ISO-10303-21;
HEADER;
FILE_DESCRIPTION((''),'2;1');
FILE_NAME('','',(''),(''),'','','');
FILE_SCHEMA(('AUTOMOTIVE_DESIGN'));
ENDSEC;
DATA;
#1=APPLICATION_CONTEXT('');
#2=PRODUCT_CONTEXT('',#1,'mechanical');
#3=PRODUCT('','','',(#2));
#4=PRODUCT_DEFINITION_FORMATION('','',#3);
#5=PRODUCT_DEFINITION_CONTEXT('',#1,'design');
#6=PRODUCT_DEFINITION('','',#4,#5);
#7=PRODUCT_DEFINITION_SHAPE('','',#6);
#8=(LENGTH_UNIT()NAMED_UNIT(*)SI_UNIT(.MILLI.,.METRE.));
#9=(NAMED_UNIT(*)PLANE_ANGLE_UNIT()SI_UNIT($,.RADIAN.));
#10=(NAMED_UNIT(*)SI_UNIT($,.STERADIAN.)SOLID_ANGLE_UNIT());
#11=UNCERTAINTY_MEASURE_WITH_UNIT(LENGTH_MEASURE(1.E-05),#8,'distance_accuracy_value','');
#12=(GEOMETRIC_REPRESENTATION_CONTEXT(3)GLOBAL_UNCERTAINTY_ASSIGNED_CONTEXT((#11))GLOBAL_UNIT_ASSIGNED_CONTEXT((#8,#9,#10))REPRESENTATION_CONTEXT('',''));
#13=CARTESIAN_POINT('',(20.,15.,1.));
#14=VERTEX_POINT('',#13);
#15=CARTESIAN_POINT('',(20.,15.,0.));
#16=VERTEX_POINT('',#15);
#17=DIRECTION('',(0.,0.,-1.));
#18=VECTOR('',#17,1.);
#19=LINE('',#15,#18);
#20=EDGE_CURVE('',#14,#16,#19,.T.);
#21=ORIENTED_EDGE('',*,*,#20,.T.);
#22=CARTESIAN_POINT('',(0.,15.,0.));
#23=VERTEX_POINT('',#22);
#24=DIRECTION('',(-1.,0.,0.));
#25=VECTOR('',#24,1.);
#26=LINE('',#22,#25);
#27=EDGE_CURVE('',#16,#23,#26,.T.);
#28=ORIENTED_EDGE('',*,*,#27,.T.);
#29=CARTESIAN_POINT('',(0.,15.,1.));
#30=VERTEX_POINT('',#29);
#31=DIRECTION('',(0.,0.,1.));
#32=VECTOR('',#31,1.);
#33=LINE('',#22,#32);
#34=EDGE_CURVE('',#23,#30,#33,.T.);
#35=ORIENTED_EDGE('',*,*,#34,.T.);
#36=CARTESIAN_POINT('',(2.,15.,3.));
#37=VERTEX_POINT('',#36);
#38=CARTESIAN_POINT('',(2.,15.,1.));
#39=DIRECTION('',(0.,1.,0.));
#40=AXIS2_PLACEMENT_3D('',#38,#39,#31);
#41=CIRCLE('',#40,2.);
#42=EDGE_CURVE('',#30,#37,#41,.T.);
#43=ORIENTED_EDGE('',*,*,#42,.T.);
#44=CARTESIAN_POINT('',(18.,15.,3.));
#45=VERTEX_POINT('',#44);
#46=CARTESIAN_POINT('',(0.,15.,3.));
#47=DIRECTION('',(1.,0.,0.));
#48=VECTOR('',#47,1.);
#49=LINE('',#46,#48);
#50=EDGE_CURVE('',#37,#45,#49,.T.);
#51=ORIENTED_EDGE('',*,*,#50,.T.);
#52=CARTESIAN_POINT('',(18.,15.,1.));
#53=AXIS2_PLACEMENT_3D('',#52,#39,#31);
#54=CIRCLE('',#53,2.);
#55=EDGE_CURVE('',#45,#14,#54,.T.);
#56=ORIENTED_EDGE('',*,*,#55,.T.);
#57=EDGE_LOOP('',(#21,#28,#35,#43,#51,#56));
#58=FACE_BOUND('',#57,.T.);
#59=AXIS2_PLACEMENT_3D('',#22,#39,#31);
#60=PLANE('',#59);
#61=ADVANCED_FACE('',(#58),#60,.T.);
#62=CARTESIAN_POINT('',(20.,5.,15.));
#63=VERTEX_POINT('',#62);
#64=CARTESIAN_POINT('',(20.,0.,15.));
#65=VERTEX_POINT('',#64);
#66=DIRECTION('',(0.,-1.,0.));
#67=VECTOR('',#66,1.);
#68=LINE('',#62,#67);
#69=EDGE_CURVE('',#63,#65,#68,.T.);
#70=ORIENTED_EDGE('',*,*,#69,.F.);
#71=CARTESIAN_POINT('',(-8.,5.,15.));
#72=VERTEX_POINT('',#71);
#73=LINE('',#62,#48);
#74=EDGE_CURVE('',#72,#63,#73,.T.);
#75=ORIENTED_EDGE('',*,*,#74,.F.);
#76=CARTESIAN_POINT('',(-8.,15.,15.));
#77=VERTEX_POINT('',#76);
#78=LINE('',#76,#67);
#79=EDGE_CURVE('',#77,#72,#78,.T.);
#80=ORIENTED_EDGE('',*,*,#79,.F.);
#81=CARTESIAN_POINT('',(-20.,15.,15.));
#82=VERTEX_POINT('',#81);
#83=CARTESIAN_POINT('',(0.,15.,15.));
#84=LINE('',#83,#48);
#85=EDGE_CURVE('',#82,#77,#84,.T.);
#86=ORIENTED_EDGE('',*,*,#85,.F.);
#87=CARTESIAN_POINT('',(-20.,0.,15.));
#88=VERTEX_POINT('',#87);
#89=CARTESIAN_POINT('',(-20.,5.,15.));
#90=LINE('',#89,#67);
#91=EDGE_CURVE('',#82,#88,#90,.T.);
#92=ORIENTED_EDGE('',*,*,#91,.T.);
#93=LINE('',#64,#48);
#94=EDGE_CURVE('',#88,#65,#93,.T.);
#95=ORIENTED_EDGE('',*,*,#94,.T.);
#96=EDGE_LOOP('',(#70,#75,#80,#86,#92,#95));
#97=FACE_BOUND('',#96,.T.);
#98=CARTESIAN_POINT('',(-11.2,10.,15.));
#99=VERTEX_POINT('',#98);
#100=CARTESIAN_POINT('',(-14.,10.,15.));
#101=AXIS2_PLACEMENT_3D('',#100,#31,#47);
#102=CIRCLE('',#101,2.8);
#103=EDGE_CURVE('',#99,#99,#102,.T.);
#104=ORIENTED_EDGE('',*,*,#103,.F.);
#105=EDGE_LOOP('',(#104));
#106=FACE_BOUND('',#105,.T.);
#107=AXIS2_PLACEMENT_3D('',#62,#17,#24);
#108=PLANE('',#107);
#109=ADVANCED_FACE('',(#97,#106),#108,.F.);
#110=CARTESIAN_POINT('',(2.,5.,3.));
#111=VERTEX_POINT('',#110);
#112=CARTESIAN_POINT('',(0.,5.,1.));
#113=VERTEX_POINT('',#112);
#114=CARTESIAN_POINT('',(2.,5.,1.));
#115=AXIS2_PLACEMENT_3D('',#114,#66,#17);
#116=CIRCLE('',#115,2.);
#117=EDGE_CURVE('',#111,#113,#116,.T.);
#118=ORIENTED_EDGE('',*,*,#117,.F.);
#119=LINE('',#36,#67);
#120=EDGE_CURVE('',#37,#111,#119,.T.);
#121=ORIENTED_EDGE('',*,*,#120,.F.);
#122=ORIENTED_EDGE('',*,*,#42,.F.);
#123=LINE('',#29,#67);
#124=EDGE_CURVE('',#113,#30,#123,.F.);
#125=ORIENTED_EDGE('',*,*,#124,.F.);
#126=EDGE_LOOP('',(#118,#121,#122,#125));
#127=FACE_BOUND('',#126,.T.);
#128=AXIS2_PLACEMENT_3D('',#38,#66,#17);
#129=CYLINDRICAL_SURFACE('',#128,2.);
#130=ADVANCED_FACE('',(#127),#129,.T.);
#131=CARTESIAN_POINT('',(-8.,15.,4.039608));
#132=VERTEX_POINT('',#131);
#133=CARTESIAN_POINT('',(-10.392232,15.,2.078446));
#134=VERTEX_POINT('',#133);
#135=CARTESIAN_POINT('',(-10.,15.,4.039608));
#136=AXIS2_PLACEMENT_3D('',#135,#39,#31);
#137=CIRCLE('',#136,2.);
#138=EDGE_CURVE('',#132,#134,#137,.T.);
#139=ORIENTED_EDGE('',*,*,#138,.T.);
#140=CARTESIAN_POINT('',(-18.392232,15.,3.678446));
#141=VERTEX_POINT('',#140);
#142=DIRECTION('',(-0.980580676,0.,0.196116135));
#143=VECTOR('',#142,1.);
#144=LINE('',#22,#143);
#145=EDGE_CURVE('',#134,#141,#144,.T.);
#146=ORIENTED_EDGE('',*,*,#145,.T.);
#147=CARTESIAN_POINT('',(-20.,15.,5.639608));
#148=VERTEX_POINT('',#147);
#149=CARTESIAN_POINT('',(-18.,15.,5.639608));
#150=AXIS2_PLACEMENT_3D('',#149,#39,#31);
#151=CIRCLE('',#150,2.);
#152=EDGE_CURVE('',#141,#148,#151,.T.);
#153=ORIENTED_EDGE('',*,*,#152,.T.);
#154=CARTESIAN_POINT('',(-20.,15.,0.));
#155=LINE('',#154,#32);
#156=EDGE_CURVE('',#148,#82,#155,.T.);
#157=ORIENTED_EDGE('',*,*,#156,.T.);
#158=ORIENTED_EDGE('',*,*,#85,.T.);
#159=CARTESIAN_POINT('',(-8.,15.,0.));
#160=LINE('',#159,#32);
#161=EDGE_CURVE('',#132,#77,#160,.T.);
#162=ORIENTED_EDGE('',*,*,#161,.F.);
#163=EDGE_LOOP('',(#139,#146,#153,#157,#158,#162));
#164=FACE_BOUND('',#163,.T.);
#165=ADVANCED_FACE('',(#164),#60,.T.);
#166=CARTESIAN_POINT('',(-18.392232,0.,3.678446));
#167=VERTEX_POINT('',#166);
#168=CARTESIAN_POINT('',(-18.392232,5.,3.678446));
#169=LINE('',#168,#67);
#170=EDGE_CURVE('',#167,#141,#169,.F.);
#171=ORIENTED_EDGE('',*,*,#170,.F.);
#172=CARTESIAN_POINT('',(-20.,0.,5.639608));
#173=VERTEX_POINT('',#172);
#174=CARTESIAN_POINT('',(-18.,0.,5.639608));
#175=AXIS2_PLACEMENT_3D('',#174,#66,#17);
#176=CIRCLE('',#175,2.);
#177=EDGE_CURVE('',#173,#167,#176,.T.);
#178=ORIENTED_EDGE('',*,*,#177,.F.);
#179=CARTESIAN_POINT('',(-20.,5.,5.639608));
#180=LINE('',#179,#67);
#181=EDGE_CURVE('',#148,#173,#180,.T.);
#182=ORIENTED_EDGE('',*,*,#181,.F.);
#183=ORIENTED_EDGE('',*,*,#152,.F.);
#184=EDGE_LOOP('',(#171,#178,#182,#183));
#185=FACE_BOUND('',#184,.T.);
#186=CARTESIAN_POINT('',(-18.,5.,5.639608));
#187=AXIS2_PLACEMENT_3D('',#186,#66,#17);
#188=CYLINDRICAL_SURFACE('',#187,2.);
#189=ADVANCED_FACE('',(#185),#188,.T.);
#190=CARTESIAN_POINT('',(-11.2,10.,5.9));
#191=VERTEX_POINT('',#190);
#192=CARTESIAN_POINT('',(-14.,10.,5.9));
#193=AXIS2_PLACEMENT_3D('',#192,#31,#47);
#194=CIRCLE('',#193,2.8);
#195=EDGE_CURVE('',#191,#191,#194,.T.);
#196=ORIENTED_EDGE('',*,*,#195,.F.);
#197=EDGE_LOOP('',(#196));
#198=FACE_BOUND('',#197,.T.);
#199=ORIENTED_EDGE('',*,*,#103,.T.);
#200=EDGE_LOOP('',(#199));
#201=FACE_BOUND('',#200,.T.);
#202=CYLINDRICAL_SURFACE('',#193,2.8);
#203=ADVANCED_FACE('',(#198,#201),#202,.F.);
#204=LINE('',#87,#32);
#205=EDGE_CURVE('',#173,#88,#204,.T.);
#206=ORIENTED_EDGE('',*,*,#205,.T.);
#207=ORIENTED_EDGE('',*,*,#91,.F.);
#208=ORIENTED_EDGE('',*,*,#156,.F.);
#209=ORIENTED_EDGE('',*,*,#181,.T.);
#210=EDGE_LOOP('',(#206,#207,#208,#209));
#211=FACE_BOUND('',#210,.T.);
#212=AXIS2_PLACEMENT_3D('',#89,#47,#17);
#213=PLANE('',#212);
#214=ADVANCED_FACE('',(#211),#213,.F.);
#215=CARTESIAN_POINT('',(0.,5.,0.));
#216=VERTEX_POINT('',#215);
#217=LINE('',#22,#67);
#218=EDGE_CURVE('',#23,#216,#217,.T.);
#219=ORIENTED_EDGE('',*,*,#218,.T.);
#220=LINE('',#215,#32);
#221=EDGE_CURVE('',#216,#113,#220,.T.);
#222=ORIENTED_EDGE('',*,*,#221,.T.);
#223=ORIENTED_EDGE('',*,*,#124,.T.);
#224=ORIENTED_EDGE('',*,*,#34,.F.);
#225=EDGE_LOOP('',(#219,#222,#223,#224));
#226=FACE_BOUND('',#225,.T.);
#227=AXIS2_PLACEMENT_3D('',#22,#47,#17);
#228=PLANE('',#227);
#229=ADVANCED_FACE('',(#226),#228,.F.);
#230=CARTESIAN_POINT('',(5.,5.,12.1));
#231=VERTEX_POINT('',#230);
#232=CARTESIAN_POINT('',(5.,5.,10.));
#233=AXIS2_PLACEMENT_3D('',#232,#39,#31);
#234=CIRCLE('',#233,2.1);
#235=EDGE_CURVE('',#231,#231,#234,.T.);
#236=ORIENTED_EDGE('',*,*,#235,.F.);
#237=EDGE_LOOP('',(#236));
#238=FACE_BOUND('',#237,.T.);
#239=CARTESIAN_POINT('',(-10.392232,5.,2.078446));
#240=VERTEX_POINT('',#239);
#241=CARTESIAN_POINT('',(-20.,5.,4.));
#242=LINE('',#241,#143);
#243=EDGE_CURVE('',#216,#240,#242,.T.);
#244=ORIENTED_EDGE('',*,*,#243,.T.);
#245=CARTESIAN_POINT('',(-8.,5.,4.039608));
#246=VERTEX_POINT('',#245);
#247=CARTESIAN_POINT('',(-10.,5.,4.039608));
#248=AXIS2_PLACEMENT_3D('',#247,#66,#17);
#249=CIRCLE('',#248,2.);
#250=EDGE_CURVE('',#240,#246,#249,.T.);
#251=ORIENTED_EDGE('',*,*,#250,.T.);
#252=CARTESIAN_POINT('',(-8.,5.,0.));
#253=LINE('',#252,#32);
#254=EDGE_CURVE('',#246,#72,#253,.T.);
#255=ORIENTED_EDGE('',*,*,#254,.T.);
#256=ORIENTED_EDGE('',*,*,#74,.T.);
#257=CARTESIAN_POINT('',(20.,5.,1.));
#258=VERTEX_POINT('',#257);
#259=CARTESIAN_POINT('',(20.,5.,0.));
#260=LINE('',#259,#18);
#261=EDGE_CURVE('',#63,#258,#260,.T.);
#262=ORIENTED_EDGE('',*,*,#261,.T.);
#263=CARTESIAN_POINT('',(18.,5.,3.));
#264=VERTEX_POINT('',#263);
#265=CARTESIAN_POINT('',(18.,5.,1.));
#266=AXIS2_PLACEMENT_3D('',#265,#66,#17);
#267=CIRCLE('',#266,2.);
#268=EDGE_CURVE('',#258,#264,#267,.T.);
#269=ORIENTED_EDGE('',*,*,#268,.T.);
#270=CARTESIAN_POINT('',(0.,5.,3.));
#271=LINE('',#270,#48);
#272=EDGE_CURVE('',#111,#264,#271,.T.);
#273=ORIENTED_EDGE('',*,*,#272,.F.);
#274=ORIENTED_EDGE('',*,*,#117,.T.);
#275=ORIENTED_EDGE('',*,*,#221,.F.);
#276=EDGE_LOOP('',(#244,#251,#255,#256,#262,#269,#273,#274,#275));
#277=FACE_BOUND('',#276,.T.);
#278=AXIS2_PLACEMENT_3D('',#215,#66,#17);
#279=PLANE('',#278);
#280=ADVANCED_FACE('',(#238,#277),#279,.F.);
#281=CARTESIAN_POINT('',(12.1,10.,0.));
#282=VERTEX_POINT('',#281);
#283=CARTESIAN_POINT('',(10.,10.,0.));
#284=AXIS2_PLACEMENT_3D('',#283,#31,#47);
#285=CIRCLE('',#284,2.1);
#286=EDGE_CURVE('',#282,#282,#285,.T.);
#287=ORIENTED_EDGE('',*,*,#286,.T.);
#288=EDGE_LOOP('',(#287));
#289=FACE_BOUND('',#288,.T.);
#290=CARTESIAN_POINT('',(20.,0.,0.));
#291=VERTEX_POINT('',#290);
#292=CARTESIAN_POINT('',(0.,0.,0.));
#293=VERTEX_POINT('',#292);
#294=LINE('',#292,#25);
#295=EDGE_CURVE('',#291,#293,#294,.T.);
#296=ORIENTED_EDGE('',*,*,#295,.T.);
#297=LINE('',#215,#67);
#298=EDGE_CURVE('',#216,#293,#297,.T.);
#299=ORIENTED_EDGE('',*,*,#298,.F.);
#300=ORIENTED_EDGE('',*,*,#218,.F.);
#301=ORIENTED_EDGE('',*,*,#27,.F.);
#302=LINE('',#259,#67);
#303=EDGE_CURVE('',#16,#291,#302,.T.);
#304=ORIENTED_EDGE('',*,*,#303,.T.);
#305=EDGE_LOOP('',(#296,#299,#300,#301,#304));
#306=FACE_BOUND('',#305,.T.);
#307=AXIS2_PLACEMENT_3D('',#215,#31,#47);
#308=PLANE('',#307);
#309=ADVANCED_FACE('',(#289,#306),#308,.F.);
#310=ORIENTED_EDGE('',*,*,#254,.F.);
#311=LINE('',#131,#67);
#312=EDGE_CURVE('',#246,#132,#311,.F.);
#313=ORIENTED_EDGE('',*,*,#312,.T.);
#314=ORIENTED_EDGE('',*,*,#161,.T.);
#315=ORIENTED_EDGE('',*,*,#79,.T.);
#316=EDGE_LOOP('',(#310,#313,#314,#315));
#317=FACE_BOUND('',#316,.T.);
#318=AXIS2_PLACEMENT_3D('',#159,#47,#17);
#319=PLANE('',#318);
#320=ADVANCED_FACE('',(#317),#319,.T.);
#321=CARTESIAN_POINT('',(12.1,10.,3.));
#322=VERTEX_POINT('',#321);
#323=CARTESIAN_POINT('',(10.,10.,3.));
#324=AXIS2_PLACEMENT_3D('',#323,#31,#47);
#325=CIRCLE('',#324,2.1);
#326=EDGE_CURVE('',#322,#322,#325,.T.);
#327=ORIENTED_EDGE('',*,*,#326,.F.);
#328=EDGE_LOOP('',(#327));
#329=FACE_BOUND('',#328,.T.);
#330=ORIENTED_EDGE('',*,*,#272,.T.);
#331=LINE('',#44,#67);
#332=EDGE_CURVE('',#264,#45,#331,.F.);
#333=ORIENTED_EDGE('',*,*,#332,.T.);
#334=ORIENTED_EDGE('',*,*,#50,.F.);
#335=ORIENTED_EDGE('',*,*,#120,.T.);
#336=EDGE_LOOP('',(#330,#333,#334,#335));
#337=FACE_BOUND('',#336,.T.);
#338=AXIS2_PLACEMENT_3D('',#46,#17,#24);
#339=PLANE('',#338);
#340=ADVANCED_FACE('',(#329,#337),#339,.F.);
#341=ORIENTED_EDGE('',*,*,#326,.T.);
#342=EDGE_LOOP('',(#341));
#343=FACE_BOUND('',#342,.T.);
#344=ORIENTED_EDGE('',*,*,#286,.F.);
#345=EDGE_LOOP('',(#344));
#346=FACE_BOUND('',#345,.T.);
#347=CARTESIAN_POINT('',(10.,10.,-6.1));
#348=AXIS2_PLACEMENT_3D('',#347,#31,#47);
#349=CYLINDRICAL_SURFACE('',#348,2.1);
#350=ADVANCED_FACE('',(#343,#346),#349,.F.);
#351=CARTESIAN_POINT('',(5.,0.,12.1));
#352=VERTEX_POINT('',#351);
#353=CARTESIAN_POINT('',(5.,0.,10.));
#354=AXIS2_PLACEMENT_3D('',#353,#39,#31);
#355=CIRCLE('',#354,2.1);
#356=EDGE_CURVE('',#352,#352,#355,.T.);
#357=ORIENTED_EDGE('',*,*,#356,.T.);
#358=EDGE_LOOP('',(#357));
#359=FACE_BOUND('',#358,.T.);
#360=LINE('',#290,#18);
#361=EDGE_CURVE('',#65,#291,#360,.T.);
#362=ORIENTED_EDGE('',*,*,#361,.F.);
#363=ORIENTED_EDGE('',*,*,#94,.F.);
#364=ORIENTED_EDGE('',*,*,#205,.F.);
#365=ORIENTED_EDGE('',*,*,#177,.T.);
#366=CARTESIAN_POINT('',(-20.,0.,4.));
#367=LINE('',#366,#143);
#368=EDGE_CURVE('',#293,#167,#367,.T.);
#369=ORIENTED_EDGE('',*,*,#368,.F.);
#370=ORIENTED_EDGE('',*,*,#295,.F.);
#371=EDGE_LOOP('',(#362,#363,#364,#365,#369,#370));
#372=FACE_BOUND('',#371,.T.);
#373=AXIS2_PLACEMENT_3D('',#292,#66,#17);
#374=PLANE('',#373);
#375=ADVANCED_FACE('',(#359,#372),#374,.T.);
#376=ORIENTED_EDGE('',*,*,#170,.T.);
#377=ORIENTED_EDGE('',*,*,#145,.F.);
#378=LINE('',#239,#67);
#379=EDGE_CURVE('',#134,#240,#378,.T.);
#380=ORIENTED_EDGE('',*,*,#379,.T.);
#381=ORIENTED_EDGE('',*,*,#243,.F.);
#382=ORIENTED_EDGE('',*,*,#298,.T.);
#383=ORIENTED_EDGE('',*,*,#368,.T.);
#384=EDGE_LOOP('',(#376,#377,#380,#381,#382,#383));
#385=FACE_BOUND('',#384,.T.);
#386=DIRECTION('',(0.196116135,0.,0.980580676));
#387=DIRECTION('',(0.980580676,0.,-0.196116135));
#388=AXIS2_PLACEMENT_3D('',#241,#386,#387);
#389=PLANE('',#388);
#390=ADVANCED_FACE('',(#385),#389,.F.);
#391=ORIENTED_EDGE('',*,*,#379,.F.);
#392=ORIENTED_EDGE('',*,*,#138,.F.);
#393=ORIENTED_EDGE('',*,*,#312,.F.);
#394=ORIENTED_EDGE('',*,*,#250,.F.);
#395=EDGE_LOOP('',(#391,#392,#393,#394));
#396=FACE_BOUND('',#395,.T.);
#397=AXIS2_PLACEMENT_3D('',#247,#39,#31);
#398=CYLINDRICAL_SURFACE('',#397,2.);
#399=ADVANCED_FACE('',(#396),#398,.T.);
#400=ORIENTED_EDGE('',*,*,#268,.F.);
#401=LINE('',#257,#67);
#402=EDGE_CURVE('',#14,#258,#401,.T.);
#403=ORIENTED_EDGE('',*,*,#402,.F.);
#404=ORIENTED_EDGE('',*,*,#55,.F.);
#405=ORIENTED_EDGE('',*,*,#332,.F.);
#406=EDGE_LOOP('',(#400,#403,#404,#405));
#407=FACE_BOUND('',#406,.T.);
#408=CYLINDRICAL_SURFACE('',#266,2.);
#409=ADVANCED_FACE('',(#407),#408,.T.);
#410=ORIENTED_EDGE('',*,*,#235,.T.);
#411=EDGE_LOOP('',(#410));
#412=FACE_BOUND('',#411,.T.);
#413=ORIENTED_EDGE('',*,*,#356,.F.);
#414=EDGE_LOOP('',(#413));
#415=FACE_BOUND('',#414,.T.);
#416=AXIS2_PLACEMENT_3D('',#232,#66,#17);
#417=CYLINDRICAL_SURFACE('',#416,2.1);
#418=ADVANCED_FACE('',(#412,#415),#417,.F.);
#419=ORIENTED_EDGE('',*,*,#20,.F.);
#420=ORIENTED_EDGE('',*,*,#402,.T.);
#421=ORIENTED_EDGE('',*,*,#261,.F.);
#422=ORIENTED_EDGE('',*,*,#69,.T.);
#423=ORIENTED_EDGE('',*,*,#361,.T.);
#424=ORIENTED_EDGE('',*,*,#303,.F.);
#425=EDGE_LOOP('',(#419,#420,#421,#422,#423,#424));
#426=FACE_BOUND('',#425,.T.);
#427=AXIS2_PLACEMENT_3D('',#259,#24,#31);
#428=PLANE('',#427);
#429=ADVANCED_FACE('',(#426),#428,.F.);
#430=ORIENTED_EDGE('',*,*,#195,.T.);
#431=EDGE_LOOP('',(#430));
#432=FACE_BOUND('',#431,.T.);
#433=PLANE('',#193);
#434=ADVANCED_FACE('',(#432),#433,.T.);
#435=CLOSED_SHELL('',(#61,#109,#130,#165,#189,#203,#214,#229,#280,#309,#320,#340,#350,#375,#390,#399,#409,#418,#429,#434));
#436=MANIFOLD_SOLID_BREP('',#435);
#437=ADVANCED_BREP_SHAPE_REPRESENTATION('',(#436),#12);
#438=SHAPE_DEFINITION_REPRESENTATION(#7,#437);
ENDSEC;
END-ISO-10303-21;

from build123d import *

# Parameters (mm, degrees)
ESQUISSE1_R             = 2.1
BOSS_EXTRU_1_DEPTH      = 5
ESQUISSE2_W             = 20
ESQUISSE2_H             = 3
BOSS_EXTRU_2_DEPTH      = 10
ESQUISSE3_R             = 2.8
ENL_V_MAT_EXTRU_1_DEPTH = 9.1
ESQUISSE4_R             = 2.1
ENL_V_MAT_EXTRU_2_DEPTH = 9.1
CONG_2_R                = 2


with BuildPart() as part:
    # Esquisse1 → Boss.-Extru.1 (new body)
    with BuildSketch(Plane(origin=(0, 0, 0), x_dir=(1, 0, 0), z_dir=(0, 1, 0))):
        Polygon((20, 0), (20, -15), (-20, -15), (-20, -4), (0, 0), align=None)
        with Locations((5, -10)):
            Circle(ESQUISSE1_R, mode=Mode.SUBTRACT)
    extrude(amount=BOSS_EXTRU_1_DEPTH)

    # Esquisse2 → Boss.-Extru.2 (add)
    with BuildSketch(Plane(origin=(0, 5, 0), x_dir=(1, 0, 0), z_dir=(0, 1, 0))):
        with Locations((10, -1.5)):
            Rectangle(ESQUISSE2_W, ESQUISSE2_H)
        Polygon((-8, -1.6), (-20, -4), (-20, -15), (-8, -15), align=None)
    extrude(amount=BOSS_EXTRU_2_DEPTH)

    # Esquisse3 → Enlèv. mat.-Extru.1 (cut)
    with BuildSketch(Plane.XY.offset(15)):
        with Locations((-14, 10)):
            Circle(ESQUISSE3_R)
    extrude(amount=-ENL_V_MAT_EXTRU_1_DEPTH, mode=Mode.SUBTRACT)

    # Esquisse4 → Enlèv. mat.-Extru.2 (cut)
    with BuildSketch(Plane.XY.offset(3)):
        with Locations((10, 10)):
            Circle(ESQUISSE4_R)
    extrude(amount=-ENL_V_MAT_EXTRU_2_DEPTH, mode=Mode.SUBTRACT)

    # Congé2
    cong_2_edges = [part.edges().sort_by_distance(p)[0] for p in [
        (20, 10, 3),
        (0, 10, 3),
        (-20, 7.5, 4),
        (-8, 10, 1.6),
    ]]
    fillet(cong_2_edges, radius=CONG_2_R)


solid = part.part
